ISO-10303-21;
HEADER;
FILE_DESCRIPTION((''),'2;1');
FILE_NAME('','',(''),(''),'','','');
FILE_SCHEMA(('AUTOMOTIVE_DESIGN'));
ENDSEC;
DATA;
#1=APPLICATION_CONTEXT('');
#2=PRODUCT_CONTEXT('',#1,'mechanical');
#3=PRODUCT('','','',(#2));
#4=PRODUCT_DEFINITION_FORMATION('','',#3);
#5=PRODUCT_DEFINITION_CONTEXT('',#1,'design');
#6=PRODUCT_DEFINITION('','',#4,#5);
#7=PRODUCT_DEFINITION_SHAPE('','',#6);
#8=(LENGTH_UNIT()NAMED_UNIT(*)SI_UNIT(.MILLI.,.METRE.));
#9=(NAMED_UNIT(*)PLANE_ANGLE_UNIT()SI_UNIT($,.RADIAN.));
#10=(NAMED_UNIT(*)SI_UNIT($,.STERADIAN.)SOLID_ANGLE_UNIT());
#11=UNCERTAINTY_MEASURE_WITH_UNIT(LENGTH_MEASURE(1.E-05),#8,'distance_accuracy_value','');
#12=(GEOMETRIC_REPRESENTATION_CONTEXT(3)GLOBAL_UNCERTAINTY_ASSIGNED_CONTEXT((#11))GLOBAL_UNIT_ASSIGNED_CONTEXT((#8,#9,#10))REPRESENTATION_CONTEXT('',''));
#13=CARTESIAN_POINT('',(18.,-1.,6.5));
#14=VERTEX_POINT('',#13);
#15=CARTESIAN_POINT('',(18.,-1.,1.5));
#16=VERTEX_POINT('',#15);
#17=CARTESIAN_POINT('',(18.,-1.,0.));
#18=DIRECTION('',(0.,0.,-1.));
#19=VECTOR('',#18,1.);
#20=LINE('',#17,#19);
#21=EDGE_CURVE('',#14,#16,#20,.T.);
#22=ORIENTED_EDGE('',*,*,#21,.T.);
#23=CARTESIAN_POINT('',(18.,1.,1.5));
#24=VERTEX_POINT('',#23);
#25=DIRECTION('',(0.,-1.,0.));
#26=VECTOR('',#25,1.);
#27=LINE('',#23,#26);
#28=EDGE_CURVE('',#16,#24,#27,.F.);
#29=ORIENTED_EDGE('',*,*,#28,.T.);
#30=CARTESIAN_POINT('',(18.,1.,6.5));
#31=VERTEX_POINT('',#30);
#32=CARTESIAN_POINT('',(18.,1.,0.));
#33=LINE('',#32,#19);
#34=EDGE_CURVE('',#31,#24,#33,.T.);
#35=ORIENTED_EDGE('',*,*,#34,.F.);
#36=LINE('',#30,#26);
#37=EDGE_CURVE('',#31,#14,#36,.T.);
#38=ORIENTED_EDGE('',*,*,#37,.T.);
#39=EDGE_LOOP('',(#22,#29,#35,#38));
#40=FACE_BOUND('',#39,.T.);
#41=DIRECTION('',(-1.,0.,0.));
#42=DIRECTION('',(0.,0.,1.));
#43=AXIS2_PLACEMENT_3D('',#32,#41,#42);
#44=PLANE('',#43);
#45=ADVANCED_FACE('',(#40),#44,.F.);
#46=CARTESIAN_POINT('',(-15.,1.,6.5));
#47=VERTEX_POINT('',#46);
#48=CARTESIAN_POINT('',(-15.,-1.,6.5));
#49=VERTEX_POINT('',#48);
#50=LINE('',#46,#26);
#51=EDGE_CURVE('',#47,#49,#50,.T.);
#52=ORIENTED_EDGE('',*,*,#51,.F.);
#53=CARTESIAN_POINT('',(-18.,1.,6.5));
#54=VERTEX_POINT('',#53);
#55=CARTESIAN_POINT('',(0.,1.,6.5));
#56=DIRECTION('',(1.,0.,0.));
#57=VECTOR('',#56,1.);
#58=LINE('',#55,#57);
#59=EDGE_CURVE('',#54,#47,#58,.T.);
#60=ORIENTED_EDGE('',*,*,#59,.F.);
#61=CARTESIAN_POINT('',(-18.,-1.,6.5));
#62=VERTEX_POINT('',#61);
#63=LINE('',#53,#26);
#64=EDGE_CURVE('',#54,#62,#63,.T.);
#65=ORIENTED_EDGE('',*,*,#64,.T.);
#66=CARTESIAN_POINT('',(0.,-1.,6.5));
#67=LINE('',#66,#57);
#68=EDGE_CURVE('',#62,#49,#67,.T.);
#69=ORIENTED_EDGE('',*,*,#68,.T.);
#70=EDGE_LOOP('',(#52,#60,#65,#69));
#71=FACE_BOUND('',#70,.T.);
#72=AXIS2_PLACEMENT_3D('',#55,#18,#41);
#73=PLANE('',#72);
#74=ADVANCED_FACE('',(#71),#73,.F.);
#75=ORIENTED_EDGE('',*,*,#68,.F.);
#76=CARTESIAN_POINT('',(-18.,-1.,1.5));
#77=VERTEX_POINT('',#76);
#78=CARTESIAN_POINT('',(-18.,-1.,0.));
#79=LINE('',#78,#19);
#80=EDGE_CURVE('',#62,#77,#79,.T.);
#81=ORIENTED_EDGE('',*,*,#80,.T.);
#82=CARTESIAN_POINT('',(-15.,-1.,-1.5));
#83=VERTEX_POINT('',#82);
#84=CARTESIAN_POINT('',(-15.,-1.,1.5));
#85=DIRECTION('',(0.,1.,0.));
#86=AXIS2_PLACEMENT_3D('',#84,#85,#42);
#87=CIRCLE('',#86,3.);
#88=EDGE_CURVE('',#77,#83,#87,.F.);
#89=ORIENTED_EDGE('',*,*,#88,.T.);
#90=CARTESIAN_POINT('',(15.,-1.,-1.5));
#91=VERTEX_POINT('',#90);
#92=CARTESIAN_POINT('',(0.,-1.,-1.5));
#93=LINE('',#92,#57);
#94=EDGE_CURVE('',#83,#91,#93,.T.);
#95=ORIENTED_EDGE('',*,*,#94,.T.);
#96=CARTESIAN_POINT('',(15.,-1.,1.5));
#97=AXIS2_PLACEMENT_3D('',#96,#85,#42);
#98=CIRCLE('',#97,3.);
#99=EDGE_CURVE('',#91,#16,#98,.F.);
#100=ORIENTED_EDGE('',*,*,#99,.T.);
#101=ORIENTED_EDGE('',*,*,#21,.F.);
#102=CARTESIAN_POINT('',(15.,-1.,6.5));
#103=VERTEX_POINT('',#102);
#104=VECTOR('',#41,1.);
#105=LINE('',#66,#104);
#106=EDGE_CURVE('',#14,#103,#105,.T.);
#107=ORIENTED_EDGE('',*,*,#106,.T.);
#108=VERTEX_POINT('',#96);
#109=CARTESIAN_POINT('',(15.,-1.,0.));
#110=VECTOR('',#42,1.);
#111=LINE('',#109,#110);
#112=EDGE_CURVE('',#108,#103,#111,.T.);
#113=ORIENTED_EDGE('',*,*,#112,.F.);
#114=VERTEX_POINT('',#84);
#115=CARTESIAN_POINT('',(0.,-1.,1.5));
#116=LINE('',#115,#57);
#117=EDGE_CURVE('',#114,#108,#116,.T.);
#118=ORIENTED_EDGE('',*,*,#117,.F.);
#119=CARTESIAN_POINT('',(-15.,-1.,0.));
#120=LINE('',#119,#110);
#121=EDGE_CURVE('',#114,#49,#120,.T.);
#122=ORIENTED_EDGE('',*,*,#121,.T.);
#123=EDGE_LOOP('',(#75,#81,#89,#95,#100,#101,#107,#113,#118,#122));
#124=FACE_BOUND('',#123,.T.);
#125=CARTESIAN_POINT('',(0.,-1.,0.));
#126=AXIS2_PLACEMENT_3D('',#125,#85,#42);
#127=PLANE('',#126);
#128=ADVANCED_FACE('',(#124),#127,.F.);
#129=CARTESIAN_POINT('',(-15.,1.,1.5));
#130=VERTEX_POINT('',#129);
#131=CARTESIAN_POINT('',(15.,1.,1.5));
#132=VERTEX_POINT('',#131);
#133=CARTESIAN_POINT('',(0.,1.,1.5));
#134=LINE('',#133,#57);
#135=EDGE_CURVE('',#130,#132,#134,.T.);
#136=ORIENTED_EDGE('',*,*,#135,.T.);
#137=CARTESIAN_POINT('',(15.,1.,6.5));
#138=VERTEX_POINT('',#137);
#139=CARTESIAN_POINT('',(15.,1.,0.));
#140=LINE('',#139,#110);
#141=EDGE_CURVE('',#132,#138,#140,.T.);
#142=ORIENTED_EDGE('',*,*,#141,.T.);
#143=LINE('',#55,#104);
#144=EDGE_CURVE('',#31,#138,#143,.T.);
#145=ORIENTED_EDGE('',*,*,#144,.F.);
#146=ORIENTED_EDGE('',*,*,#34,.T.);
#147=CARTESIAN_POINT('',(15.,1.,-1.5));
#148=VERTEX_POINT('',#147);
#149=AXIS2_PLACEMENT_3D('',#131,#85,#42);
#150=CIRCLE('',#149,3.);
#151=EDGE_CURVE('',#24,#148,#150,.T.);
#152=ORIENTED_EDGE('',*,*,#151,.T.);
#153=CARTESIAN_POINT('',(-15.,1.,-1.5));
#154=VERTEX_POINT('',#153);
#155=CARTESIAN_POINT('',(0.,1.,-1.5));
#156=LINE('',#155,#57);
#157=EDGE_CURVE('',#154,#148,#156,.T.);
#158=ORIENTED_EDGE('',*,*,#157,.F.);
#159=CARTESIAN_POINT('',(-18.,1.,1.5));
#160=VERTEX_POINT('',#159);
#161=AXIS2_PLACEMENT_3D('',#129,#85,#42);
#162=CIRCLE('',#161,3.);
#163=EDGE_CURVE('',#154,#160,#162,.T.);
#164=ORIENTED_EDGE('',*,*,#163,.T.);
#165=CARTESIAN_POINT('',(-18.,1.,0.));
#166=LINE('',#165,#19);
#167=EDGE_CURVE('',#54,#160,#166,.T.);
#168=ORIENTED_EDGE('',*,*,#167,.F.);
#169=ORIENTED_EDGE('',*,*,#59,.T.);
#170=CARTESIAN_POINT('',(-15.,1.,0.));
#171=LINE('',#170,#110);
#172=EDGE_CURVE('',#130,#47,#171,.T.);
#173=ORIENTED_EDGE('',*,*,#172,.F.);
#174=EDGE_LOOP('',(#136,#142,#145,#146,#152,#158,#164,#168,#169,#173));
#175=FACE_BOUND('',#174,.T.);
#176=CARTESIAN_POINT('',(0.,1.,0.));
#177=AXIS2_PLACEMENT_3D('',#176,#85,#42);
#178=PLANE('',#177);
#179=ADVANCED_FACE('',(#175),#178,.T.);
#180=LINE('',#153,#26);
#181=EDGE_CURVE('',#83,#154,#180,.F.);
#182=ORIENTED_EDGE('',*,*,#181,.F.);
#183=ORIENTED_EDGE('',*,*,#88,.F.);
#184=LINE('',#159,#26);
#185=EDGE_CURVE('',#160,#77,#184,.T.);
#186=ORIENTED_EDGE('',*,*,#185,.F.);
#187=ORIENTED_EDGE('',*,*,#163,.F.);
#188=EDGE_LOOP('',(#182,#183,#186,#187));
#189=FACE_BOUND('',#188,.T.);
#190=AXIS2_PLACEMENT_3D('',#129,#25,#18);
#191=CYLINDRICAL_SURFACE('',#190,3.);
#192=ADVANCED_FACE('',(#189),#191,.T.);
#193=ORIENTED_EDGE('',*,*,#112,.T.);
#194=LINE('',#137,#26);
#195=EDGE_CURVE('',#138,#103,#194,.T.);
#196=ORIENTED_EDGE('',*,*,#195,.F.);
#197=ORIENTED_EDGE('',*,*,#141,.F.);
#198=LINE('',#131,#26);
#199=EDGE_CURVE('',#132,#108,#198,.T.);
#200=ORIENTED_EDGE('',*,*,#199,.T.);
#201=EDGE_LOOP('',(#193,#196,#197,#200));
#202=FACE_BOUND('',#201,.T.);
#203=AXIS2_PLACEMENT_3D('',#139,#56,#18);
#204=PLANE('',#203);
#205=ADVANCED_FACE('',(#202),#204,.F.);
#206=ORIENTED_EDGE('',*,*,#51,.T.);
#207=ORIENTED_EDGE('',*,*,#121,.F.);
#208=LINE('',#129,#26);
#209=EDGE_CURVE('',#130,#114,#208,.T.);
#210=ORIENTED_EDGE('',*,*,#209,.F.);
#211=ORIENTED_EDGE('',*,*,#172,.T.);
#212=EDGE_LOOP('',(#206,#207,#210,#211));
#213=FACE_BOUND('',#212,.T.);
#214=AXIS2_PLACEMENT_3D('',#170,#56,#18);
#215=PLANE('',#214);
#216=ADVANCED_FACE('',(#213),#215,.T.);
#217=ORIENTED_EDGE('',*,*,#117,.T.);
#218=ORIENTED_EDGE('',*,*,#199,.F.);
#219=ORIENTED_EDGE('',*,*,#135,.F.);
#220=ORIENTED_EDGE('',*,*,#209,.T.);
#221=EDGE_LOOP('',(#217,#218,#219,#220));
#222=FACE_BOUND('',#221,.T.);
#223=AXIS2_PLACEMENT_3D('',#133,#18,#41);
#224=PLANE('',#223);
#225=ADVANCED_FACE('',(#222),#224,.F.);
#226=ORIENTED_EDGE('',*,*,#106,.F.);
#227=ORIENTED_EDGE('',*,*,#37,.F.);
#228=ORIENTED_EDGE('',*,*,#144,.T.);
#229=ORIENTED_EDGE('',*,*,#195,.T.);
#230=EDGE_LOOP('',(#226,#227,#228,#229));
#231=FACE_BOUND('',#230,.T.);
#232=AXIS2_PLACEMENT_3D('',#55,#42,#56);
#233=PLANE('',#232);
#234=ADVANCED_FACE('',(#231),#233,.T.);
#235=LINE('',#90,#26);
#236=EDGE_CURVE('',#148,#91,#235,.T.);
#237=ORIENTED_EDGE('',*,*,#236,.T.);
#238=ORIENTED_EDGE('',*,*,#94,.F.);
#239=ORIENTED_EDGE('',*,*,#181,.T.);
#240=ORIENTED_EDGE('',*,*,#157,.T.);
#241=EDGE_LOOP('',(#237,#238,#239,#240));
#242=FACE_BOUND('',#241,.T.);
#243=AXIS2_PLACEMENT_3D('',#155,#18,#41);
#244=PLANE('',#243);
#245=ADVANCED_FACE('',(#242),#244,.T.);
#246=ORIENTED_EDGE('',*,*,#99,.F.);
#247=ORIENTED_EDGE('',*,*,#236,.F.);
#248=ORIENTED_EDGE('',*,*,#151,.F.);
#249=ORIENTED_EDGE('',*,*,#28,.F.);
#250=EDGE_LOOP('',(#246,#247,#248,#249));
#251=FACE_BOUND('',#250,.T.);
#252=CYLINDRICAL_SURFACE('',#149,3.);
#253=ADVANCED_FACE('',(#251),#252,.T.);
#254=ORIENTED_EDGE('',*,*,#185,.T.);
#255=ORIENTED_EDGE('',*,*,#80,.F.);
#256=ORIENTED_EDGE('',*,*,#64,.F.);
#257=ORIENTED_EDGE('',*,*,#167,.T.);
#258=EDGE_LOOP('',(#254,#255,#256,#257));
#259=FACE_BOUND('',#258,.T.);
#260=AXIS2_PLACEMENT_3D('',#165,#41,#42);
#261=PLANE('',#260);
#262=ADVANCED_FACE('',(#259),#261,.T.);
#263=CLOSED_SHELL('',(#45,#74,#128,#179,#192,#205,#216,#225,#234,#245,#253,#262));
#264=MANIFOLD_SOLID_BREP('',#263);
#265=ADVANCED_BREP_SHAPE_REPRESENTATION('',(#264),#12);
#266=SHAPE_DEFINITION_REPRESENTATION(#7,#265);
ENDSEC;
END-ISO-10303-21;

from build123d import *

# Parameters (mm, degrees)
SKETCH1_W           = 36
SKETCH1_H           = 3
SKETCH1_W_2         = 3
SKETCH1_H_2         = 5
BOSS_EXTRUDE1_DEPTH = 1
FILLET1_R           = 3


with BuildPart() as part:
    # Sketch1 → Boss-Extrude1 (new, symmetric)
    with BuildSketch(Plane(origin=(0, 0, 0), x_dir=(1, 0, 0), z_dir=(0, 1, 0))):
        Rectangle(SKETCH1_W, SKETCH1_H)
        with Locations((-16.5, -4)):
            Rectangle(SKETCH1_W_2, SKETCH1_H_2)
        with Locations((16.5, -4)):
            Rectangle(SKETCH1_W_2, SKETCH1_H_2)
    extrude(amount=BOSS_EXTRUDE1_DEPTH, both=True)

    # Fillet1
    fillet1_edges = [part.edges().sort_by_distance(p)[0] for p in [
        (-18, 0, -1.5),
        (18, 0, -1.5),
    ]]
    fillet(fillet1_edges, radius=FILLET1_R)


solid = part.part
